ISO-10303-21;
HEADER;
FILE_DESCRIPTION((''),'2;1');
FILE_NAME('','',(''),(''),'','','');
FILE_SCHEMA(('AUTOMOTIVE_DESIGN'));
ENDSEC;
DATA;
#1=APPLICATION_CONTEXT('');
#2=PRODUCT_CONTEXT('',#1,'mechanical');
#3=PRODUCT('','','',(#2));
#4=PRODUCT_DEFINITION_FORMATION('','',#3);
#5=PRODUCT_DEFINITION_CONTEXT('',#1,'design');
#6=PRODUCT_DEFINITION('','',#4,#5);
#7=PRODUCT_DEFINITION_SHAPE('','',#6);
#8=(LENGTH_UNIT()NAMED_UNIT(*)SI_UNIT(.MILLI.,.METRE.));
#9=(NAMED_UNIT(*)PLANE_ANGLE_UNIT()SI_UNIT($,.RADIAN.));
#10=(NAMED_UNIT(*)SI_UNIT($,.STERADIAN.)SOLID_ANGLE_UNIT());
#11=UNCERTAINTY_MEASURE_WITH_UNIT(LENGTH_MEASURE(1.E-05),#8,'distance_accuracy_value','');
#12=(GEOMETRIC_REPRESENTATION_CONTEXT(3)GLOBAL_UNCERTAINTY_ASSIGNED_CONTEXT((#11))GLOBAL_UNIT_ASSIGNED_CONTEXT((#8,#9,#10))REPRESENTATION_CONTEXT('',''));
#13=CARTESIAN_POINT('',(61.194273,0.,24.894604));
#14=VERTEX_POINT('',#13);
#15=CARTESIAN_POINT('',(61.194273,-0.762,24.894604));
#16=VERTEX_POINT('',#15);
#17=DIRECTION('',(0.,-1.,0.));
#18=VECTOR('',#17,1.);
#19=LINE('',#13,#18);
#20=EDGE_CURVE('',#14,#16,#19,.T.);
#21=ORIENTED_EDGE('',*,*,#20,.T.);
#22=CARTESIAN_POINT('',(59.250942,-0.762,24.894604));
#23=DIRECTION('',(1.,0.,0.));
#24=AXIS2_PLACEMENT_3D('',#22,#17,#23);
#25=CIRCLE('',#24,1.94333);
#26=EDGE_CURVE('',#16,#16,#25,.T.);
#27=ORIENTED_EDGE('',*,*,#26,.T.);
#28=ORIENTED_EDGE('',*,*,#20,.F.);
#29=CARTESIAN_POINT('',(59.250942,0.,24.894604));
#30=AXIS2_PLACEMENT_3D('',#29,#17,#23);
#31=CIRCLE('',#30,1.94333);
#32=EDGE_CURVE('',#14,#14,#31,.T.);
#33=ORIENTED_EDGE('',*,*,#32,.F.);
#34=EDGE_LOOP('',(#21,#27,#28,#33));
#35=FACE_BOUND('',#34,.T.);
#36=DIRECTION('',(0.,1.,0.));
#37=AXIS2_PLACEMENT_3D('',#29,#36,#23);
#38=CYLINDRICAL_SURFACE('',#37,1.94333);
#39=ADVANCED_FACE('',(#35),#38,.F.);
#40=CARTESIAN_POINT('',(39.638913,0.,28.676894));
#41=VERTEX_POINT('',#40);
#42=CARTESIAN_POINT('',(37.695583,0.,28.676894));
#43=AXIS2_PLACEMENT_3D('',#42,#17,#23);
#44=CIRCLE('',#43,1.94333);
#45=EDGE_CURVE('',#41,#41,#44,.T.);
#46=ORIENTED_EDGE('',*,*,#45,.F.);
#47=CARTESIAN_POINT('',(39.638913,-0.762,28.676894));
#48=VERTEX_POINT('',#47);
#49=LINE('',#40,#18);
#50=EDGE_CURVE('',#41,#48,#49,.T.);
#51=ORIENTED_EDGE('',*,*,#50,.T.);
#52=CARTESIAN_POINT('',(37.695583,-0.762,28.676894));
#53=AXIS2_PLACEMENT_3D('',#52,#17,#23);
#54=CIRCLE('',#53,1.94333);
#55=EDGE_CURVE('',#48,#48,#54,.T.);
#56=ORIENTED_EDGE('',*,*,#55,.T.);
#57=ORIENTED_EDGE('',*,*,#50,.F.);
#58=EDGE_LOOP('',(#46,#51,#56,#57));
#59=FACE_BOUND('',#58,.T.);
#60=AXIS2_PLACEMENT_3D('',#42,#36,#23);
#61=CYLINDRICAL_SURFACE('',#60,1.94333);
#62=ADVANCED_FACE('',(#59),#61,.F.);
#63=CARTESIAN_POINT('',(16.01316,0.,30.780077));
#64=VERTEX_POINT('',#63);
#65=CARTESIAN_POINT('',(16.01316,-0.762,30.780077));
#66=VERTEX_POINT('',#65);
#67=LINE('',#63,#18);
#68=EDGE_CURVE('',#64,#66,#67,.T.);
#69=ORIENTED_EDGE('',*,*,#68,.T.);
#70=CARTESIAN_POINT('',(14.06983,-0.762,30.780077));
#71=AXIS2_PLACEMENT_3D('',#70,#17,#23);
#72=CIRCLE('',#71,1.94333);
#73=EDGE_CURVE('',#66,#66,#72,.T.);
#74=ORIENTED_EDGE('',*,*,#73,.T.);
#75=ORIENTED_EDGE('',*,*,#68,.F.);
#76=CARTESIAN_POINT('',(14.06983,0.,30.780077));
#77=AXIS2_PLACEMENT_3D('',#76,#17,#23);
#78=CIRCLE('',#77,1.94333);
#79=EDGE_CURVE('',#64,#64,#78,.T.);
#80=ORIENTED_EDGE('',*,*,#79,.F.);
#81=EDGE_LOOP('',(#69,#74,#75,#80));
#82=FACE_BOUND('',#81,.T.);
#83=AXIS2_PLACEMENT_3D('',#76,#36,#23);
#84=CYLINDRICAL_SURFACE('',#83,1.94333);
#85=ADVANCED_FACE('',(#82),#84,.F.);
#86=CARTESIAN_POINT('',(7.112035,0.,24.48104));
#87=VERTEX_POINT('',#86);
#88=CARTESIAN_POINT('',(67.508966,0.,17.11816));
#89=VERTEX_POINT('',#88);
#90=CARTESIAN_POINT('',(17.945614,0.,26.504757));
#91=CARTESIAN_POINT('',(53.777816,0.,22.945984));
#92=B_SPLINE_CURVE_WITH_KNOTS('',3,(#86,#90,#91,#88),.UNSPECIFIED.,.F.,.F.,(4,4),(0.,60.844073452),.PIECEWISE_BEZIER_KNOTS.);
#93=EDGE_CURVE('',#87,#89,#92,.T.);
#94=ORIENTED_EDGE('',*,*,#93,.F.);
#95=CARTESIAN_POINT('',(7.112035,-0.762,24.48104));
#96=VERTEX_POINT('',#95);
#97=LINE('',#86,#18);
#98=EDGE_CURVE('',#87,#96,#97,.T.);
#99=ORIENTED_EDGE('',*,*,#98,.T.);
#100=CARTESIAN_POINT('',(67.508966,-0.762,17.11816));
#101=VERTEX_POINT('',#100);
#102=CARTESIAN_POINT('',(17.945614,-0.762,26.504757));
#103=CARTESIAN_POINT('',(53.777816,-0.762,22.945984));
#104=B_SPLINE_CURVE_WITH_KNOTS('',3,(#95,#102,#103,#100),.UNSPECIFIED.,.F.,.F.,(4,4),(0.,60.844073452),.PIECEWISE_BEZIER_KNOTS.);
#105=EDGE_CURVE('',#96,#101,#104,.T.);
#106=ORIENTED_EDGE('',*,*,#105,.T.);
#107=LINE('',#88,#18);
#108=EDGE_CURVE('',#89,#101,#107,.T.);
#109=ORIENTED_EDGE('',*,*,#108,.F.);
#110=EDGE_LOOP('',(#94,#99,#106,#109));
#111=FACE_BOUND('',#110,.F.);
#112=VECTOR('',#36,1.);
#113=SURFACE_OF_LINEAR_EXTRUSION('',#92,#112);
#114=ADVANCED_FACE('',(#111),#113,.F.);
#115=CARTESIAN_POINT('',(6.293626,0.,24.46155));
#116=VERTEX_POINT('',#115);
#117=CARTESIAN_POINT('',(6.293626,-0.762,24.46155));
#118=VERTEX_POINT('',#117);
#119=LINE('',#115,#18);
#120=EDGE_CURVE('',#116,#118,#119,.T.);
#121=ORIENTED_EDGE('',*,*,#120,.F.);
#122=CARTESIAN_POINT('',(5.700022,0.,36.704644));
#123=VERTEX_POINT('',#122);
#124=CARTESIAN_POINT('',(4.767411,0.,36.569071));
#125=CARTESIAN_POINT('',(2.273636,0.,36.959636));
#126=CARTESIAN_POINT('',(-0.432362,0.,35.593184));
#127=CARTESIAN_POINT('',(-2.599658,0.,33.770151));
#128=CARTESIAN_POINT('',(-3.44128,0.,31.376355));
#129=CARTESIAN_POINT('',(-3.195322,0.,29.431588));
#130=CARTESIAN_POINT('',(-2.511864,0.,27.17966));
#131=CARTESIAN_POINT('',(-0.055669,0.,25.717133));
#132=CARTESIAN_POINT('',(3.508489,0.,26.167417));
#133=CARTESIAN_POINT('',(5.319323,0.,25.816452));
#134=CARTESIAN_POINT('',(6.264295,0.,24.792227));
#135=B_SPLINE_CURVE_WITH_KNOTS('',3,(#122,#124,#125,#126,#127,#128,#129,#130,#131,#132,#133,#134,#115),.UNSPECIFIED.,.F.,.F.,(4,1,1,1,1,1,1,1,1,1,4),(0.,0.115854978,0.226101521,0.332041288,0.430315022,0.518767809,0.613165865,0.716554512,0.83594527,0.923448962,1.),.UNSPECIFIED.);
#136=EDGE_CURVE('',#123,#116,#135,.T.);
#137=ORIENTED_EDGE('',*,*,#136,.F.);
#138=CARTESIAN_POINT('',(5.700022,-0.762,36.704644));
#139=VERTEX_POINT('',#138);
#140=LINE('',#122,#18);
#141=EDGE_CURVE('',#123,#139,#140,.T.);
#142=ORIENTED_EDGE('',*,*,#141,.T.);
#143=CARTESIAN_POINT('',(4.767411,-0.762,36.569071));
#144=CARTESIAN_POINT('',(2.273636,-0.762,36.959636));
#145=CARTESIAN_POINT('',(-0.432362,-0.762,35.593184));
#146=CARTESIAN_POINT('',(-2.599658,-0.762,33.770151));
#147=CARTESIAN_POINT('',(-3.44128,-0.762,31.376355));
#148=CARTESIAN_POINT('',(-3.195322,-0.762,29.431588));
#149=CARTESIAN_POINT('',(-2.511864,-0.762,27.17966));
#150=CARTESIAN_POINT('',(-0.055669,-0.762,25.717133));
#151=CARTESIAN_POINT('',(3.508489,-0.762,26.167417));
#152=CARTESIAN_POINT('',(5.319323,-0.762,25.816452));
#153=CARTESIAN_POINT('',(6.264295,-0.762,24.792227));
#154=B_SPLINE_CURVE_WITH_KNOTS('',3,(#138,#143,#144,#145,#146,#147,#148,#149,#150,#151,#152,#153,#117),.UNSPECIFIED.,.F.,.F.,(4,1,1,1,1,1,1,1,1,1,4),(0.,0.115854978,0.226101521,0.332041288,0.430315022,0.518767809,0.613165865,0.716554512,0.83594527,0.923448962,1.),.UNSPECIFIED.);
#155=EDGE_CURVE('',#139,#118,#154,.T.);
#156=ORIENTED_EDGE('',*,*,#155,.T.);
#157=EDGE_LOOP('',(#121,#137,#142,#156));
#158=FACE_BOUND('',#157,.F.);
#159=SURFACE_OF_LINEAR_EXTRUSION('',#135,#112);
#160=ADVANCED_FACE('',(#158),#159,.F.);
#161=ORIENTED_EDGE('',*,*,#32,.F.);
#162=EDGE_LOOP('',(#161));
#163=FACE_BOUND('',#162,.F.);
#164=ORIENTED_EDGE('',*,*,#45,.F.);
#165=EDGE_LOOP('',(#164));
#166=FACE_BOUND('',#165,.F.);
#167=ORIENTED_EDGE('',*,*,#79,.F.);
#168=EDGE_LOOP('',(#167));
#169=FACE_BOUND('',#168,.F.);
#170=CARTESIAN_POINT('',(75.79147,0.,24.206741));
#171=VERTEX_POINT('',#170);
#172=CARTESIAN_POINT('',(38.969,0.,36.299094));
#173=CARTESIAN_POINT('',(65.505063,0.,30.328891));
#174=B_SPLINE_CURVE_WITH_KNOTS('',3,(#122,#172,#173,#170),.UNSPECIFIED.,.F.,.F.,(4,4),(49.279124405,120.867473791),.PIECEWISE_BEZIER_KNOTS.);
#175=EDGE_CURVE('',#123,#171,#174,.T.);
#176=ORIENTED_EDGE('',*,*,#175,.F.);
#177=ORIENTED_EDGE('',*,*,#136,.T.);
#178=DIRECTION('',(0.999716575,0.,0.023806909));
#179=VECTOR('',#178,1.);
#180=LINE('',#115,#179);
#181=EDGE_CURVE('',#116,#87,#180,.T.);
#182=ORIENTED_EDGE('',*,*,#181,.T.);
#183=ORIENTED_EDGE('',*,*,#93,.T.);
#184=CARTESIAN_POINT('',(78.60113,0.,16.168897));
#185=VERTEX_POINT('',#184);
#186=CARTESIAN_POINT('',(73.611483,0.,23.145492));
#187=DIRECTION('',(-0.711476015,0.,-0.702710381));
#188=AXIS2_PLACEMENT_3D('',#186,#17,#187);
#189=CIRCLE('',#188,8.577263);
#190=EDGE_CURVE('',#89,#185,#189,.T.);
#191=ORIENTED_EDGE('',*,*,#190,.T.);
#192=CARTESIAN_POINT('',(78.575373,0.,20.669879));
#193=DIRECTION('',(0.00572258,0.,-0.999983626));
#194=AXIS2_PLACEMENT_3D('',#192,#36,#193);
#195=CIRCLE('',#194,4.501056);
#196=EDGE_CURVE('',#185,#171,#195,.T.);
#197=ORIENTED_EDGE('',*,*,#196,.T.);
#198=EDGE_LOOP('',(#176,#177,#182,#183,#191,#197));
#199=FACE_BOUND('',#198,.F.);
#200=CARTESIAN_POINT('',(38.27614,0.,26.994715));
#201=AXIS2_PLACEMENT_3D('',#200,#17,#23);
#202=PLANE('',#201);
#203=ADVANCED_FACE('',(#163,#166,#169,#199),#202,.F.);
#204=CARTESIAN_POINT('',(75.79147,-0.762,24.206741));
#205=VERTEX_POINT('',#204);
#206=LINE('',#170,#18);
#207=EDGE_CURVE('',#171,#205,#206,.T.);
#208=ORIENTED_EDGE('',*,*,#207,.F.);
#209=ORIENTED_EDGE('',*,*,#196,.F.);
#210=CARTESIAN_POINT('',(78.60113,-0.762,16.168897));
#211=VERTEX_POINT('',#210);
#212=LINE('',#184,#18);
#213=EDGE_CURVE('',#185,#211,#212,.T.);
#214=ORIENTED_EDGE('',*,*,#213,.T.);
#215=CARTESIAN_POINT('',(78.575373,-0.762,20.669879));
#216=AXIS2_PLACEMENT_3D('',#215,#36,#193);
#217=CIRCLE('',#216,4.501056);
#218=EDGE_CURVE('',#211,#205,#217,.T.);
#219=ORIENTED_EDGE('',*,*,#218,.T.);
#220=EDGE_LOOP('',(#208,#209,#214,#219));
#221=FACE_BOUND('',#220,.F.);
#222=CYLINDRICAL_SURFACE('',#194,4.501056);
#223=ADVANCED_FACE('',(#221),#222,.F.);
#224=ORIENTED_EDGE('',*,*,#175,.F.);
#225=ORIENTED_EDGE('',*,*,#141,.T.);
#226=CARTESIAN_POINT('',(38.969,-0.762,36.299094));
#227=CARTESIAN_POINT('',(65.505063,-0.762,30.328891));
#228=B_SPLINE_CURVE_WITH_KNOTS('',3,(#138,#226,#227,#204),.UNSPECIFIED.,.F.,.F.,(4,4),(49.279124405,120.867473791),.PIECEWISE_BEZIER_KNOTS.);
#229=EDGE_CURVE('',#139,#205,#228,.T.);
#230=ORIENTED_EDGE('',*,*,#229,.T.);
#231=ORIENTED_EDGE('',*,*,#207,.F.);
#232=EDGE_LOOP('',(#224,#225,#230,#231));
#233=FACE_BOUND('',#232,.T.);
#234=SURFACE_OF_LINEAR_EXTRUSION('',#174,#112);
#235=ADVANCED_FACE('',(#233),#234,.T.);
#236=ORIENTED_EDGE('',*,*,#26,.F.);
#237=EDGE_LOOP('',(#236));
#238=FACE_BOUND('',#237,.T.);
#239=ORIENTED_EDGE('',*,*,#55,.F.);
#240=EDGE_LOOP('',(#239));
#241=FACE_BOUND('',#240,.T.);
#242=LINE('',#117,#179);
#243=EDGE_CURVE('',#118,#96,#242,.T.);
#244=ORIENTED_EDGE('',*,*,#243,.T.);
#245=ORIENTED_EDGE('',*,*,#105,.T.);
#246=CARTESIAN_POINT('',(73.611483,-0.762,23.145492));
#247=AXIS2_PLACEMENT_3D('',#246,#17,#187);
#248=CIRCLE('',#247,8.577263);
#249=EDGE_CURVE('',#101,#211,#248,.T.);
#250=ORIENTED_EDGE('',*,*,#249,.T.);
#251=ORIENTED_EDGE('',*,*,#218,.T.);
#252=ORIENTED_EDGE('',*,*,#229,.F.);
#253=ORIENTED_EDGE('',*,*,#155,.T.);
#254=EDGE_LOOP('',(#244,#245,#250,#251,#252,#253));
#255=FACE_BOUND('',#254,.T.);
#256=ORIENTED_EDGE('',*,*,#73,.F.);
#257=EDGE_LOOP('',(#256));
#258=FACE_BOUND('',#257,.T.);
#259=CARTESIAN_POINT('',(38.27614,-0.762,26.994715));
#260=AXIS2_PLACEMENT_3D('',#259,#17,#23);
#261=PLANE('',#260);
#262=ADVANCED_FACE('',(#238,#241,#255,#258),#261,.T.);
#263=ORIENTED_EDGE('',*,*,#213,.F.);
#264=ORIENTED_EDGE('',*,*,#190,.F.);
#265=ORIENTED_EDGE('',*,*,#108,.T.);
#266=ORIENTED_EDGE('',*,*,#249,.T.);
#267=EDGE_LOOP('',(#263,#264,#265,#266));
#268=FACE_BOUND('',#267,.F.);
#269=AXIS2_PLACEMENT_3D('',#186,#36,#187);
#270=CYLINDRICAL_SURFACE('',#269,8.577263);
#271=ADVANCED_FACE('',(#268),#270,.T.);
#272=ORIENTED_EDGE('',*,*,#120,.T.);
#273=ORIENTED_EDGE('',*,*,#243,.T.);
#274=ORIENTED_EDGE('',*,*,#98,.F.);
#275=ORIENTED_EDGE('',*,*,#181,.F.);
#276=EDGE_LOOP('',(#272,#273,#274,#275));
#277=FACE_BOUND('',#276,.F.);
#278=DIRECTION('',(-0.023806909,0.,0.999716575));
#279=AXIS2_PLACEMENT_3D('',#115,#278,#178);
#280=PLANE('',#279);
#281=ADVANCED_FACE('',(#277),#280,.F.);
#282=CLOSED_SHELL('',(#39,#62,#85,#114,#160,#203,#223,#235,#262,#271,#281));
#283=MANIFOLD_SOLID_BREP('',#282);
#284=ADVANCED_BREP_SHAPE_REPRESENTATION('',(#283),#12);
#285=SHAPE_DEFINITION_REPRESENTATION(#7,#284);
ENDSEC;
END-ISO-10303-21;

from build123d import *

# Parameters (mm, degrees)
F0_R     = 1.9433304257
F1_DEPTH = 0.762


with BuildPart() as f1:
    # F0 (on Front) → F1 (new body)
    with BuildSketch(Plane.XZ):
        with BuildLine():
            Line((6.2936257383, 24.461550422), (7.1120347588, 24.4810397347))
            add(Edge.make_bspline(
                [(7.1120347588, 24.4810397347), (17.9456137121, 26.5047568312), (53.7778158942, 22.9459838156), (67.5089657307, 17.11815963)],
                knots=[0, 0, 0, 0, 60.8440734522, 60.8440734522, 60.8440734522, 60.8440734522], degree=3))
            ThreePointArc((67.5089657307, 17.11815963), (72.8801181474, 14.599466087), (78.6011303451, 16.1688974746))
            ThreePointArc((78.6011303451, 16.1688974746), (74.3264231683, 19.1846421759), (75.7914702211, 24.2067408093))
            add(Edge.make_bspline(
                [(5.7000220775, 36.7046440834), (38.9690002201, 36.2990938844), (65.5050632655, 30.3288914663), (75.7914702211, 24.2067408093)],
                knots=[49.2791244048, 49.2791244048, 49.2791244048, 49.2791244048, 120.8674737906, 120.8674737906, 120.8674737906, 120.8674737906], degree=3))
            add(Edge.make_bspline(
                [(5.7000220775, 36.7046440834), (4.7674111969, 36.56907093), (2.2736360124, 36.9596356417), (-0.4323623378, 35.5931844536), (-2.5996584226, 33.7701513912), (-3.4412804307, 31.3763545138), (-3.1953223859, 29.4315883565), (-2.5118643312, 27.1796604923), (-0.0556685355, 25.7171333042), (3.5084893901, 26.1674166375), (5.3193226774, 25.8164517785), (6.2642945965, 24.7922272319), (6.2936257383, 24.461550422)],
                knots=[0, 0, 0, 0, 0.1158549783, 0.2261015206, 0.3320412877, 0.430315022, 0.5187678093, 0.6131658652, 0.7165545118, 0.83594527, 0.9234489622, 1, 1, 1, 1], degree=3))
        make_face()
        with Locations((59.2509422454, 24.8946035713)):
            Circle(F0_R, mode=Mode.SUBTRACT)
        with Locations((14.0698300675, 30.7800769806)):
            Circle(F0_R, mode=Mode.SUBTRACT)
        with Locations((37.6955829561, 28.6768935621)):
            Circle(F0_R, mode=Mode.SUBTRACT)
    extrude(amount=F1_DEPTH)


solid = f1.part
